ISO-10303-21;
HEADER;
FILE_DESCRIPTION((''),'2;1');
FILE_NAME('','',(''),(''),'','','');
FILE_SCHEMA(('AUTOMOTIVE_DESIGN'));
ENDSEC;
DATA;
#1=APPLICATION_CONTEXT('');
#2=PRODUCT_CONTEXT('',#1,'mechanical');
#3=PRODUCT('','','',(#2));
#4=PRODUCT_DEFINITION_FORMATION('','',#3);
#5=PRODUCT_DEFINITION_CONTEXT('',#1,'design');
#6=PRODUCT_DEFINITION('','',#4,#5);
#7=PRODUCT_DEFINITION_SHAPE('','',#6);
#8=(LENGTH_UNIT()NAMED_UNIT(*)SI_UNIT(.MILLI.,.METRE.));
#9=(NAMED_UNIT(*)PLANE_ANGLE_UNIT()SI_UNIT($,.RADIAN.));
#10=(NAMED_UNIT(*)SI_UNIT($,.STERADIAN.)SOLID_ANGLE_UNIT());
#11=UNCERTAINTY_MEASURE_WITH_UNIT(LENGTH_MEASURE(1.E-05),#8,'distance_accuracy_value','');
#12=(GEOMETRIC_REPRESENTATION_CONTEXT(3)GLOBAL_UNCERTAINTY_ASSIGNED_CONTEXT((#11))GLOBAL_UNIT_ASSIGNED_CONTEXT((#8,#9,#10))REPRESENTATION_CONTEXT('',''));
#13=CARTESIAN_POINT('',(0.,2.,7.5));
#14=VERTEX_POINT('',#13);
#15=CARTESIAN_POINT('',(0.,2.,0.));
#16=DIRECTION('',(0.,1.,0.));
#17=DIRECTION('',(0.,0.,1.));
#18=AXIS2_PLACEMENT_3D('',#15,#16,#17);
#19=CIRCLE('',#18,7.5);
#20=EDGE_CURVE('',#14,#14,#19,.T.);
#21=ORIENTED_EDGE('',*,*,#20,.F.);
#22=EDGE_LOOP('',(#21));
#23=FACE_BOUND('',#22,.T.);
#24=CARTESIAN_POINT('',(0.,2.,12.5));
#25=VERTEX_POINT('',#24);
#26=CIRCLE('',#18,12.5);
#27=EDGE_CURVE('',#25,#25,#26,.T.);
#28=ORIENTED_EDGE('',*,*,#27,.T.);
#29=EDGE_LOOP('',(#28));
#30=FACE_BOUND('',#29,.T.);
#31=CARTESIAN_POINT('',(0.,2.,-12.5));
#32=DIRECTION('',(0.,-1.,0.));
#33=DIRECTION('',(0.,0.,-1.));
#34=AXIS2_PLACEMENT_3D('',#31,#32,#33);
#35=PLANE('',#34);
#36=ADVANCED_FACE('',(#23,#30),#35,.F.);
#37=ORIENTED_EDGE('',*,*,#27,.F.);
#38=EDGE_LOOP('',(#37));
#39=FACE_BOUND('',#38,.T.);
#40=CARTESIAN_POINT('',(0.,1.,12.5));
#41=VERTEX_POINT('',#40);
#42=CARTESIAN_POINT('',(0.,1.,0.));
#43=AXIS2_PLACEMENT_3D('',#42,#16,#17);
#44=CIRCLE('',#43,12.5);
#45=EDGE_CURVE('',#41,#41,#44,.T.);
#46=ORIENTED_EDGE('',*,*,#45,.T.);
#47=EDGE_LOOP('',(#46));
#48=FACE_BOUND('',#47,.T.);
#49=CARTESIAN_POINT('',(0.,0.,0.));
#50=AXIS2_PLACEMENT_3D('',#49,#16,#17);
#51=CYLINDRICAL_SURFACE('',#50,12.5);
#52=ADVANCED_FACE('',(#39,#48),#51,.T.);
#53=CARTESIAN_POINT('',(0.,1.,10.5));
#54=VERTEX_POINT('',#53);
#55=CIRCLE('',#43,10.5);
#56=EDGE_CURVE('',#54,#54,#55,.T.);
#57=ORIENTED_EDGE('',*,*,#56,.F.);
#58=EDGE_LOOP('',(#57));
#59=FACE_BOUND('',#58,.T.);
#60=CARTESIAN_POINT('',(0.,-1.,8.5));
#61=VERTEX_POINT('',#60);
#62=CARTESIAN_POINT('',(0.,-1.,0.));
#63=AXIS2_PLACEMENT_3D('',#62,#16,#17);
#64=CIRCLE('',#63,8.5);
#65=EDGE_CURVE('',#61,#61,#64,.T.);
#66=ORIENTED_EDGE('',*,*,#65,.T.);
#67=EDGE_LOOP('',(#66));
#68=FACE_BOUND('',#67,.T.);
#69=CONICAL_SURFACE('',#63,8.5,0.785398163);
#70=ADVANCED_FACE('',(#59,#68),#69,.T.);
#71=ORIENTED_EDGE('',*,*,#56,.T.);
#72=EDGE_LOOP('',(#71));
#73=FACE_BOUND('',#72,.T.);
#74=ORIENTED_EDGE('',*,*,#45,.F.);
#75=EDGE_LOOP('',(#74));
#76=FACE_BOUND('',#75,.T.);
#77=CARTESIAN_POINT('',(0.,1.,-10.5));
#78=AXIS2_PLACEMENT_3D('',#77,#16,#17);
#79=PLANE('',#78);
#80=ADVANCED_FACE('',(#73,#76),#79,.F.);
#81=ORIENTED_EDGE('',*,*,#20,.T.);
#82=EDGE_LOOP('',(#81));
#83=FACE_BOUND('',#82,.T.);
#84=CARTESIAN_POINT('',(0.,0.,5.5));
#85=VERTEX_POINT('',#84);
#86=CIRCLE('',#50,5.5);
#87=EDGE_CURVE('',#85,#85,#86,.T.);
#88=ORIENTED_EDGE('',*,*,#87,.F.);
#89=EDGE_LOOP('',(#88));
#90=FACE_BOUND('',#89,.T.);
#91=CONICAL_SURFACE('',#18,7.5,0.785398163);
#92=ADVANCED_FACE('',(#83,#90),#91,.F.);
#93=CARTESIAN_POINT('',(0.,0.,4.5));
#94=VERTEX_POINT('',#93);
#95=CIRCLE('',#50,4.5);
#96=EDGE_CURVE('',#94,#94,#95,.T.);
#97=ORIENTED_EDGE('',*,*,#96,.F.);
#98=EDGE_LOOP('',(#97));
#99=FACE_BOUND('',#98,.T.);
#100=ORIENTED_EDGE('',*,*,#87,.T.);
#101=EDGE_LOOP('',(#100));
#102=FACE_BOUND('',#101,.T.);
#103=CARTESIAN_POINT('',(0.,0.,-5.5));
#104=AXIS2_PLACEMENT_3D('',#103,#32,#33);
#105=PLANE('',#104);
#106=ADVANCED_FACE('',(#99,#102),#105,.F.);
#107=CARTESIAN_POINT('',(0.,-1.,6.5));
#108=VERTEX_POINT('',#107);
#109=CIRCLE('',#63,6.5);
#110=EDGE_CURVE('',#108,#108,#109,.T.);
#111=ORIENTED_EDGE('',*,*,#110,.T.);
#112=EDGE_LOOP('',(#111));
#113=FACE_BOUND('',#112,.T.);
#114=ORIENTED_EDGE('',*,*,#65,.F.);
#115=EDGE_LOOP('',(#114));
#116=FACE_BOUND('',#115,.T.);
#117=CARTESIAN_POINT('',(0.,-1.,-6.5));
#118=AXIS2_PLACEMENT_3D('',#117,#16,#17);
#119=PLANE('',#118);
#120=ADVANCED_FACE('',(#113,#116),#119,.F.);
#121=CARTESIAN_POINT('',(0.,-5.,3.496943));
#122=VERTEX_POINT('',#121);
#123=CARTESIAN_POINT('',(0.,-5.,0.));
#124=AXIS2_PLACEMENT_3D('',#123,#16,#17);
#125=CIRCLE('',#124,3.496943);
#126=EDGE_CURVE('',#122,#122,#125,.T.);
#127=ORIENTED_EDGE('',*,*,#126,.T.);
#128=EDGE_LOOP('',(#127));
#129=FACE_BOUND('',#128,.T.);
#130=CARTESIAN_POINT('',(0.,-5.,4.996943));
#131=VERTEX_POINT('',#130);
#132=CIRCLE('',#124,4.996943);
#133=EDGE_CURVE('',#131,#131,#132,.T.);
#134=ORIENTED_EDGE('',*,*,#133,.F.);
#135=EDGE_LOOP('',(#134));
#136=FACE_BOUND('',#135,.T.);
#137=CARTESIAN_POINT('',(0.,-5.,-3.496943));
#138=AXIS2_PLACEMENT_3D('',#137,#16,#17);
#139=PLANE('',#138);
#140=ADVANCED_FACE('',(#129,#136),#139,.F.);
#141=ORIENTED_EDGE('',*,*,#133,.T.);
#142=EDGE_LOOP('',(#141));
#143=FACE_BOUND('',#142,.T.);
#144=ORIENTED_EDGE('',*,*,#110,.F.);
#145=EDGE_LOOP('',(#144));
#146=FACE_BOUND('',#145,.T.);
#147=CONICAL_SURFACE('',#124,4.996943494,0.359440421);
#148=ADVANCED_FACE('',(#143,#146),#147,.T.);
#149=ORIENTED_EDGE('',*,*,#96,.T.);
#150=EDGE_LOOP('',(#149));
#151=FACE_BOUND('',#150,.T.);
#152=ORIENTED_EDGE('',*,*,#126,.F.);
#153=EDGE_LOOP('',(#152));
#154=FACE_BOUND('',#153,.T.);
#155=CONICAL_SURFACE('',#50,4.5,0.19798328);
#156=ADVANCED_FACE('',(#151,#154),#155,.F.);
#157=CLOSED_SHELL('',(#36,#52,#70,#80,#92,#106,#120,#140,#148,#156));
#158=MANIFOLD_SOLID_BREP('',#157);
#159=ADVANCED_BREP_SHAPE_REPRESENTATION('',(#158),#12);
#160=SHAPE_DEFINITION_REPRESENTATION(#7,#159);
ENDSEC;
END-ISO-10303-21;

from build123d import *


with BuildPart() as part:
    # Sketch1 → Revolve1 (revolve)
    with BuildSketch(Plane(origin=(0, 0, 0), x_dir=(0, 0, -1), z_dir=(1, 0, 0)), mode=Mode.PRIVATE) as revolve1_sk:
        Polygon((4.5, 0), (3.496943494, -5), (4.996943494, -5), (6.5, -1), (8.5, -1), (10.5, 1), (12.5, 1), (12.5, 2), (7.5, 2), (5.5, 0), align=None)
    revolve(revolve1_sk.sketch.rotate(Axis((0, 0, 0), (0, -1, 0)), 180), axis=Axis((0, 0, 0), (0, -1, 0)))


solid = part.part
